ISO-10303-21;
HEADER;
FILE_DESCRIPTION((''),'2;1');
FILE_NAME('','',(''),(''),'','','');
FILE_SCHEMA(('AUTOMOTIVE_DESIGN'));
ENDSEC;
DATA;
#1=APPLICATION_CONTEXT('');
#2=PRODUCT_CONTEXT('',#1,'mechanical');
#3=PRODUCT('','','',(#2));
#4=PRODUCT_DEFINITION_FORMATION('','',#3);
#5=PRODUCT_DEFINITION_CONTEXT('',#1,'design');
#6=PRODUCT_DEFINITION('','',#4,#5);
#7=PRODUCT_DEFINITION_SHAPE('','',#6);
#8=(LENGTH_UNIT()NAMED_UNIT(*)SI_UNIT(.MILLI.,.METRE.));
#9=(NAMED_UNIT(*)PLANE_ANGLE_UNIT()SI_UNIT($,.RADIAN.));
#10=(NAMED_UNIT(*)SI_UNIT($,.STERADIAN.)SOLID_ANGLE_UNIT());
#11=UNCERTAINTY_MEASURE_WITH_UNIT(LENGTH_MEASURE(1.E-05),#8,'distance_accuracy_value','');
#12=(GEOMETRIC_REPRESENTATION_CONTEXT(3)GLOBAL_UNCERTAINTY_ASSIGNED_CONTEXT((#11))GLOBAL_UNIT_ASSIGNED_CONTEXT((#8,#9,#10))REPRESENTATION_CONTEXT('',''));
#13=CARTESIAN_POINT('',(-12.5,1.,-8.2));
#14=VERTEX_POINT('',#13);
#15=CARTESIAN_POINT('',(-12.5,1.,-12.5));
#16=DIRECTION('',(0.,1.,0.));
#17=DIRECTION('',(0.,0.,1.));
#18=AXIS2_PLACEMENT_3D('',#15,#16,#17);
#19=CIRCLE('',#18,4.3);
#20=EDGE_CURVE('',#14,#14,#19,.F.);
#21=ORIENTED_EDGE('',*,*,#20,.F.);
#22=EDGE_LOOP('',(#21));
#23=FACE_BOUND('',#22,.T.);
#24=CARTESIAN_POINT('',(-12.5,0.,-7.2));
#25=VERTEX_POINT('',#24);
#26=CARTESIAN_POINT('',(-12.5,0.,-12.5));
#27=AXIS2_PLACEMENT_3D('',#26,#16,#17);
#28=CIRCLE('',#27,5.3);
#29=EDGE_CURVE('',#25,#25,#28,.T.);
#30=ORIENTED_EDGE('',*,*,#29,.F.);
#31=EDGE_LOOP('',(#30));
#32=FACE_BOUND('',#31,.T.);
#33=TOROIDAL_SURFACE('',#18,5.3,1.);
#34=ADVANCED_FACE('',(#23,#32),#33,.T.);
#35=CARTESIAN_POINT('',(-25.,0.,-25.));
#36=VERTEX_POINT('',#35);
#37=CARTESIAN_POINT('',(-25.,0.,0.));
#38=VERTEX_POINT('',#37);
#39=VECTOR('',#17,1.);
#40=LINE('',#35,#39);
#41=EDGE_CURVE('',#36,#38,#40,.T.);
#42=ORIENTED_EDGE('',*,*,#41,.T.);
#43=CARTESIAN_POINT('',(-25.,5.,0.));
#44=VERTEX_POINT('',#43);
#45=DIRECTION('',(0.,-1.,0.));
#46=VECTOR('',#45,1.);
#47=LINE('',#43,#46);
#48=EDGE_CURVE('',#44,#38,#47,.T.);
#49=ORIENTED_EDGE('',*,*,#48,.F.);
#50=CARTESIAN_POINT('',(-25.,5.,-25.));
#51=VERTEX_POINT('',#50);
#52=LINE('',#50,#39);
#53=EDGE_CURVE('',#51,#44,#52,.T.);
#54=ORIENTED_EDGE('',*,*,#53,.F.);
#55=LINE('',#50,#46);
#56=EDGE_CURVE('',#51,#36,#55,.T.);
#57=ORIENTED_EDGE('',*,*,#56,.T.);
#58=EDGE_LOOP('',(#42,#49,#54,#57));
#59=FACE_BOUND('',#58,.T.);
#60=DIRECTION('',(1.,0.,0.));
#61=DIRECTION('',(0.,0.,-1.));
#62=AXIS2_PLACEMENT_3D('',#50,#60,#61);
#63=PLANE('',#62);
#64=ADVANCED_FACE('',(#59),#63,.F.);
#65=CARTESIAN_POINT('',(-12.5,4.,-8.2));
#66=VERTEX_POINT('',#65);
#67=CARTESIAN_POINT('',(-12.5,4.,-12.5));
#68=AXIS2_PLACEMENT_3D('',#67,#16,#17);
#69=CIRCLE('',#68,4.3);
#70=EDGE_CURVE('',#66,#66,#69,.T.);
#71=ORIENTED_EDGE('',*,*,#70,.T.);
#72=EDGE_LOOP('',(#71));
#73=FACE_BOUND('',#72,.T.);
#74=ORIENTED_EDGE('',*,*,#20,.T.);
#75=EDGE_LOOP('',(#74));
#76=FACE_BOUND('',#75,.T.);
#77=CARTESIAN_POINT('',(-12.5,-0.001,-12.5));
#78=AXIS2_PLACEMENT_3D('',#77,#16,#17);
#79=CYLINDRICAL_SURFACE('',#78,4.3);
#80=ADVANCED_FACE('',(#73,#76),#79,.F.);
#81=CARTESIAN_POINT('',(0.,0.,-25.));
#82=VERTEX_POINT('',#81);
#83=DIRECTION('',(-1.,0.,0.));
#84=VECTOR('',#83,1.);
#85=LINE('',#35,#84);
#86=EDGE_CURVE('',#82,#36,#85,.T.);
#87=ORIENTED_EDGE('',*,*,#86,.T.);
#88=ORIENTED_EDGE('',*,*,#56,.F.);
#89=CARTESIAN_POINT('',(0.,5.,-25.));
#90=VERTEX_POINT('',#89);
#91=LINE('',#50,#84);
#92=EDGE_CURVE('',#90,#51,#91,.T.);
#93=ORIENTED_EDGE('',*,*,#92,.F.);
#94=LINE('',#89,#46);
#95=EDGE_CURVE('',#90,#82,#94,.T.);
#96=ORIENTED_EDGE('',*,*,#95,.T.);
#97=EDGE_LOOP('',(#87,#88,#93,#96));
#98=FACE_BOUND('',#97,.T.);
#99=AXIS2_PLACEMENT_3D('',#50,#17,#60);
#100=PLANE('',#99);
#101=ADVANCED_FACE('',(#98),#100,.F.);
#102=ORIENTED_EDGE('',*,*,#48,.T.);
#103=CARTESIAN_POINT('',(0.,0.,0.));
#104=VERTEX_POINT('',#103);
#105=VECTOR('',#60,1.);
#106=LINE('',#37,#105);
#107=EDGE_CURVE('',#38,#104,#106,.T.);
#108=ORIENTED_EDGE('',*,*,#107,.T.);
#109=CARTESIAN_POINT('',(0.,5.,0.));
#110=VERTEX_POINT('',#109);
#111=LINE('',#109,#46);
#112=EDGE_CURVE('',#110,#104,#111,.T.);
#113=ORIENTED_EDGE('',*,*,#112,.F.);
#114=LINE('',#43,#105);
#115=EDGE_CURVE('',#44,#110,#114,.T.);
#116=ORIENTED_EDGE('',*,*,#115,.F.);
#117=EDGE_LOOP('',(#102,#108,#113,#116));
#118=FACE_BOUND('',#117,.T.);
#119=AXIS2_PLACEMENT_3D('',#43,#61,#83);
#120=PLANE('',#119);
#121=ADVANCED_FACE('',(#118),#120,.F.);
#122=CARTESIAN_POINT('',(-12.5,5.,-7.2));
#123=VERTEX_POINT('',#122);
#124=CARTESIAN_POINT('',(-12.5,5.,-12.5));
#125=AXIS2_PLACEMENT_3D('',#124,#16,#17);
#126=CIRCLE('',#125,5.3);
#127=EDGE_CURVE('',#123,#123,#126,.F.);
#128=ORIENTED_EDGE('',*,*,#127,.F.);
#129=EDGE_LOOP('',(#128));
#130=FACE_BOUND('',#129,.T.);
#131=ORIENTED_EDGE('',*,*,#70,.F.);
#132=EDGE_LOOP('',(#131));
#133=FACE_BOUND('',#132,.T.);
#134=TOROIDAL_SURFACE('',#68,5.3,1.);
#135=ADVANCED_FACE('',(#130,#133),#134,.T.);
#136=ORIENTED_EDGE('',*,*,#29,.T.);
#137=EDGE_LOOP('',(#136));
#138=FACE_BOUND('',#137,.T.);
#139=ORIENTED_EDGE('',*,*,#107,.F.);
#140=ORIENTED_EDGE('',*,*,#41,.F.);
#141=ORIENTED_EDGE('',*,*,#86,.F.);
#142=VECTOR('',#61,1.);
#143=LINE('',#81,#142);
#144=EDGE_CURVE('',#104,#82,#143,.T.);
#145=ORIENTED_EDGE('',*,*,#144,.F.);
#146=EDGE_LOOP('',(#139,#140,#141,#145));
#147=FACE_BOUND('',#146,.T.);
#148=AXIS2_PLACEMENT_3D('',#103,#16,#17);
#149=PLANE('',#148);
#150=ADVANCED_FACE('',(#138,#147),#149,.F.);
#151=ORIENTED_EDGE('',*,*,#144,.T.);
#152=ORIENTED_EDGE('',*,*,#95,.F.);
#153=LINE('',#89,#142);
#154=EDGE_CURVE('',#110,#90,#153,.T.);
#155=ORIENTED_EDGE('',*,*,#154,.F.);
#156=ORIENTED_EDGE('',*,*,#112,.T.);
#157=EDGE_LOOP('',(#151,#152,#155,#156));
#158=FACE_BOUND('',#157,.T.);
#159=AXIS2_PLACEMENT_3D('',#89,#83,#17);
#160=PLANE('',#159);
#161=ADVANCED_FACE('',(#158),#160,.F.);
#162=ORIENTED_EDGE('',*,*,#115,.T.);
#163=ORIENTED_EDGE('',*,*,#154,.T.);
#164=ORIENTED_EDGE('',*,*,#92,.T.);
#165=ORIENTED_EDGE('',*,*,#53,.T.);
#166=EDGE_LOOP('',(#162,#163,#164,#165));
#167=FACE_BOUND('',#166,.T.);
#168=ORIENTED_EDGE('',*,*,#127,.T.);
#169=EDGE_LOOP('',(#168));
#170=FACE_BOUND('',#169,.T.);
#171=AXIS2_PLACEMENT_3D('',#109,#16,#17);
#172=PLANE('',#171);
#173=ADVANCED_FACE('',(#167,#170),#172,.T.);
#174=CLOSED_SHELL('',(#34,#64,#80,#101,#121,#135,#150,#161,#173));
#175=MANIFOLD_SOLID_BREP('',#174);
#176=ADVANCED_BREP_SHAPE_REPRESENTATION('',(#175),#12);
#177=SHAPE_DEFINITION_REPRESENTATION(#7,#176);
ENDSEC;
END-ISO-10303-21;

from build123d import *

# Parameters (mm, degrees)
ESQUISSE1_W             = 25
ESQUISSE1_H             = 25
BOSS_EXTRU_1_DEPTH      = 5
ENL_V_MAT_EXTRU_1_REACH = 37.707
ESQUISSE2_R             = 4.3
CONG_2_R                = 1
CONG_3_R                = 1


with BuildPart() as part:
    # Esquisse1 → Boss.-Extru.1 (new body)
    with BuildSketch(Plane(origin=(0, 0, 0), x_dir=(1, 0, 0), z_dir=(0, 1, 0))):
        with Locations((-12.5, 12.5)):
            Rectangle(ESQUISSE1_W, ESQUISSE1_H)
    extrude(amount=BOSS_EXTRU_1_DEPTH)

    # Esquisse2 → Enlèv. mat.-Extru.1 (cut, up to next)
    with BuildSketch(Plane(origin=(0, 5, 0), x_dir=(1, 0, 0), z_dir=(0, 1, 0)), mode=Mode.PRIVATE) as enl_v_mat_extru_1_sk1:
        with Locations(Location((-12.5, 12.5, 0), (0, 0, 270))):
            Circle(ESQUISSE2_R)
    enl_v_mat_extru_1_tool1 = extrude(enl_v_mat_extru_1_sk1.sketch, amount=-ENL_V_MAT_EXTRU_1_REACH, mode=Mode.PRIVATE) & part.part
    add(enl_v_mat_extru_1_tool1.solids().sort_by_distance((-12.5, 5, -12.5))[0], mode=Mode.SUBTRACT)

    # Congé2
    cong_2_edges = [part.edges().sort_by_distance(p)[0] for p in [
        (-12.5, 0, -16.8),
    ]]
    fillet(cong_2_edges, radius=CONG_2_R)

    # Congé3
    cong_3_edges = [part.edges().sort_by_distance(p)[0] for p in [
        (-12.5, 5, -16.8),
    ]]
    fillet(cong_3_edges, radius=CONG_3_R)


solid = part.part
